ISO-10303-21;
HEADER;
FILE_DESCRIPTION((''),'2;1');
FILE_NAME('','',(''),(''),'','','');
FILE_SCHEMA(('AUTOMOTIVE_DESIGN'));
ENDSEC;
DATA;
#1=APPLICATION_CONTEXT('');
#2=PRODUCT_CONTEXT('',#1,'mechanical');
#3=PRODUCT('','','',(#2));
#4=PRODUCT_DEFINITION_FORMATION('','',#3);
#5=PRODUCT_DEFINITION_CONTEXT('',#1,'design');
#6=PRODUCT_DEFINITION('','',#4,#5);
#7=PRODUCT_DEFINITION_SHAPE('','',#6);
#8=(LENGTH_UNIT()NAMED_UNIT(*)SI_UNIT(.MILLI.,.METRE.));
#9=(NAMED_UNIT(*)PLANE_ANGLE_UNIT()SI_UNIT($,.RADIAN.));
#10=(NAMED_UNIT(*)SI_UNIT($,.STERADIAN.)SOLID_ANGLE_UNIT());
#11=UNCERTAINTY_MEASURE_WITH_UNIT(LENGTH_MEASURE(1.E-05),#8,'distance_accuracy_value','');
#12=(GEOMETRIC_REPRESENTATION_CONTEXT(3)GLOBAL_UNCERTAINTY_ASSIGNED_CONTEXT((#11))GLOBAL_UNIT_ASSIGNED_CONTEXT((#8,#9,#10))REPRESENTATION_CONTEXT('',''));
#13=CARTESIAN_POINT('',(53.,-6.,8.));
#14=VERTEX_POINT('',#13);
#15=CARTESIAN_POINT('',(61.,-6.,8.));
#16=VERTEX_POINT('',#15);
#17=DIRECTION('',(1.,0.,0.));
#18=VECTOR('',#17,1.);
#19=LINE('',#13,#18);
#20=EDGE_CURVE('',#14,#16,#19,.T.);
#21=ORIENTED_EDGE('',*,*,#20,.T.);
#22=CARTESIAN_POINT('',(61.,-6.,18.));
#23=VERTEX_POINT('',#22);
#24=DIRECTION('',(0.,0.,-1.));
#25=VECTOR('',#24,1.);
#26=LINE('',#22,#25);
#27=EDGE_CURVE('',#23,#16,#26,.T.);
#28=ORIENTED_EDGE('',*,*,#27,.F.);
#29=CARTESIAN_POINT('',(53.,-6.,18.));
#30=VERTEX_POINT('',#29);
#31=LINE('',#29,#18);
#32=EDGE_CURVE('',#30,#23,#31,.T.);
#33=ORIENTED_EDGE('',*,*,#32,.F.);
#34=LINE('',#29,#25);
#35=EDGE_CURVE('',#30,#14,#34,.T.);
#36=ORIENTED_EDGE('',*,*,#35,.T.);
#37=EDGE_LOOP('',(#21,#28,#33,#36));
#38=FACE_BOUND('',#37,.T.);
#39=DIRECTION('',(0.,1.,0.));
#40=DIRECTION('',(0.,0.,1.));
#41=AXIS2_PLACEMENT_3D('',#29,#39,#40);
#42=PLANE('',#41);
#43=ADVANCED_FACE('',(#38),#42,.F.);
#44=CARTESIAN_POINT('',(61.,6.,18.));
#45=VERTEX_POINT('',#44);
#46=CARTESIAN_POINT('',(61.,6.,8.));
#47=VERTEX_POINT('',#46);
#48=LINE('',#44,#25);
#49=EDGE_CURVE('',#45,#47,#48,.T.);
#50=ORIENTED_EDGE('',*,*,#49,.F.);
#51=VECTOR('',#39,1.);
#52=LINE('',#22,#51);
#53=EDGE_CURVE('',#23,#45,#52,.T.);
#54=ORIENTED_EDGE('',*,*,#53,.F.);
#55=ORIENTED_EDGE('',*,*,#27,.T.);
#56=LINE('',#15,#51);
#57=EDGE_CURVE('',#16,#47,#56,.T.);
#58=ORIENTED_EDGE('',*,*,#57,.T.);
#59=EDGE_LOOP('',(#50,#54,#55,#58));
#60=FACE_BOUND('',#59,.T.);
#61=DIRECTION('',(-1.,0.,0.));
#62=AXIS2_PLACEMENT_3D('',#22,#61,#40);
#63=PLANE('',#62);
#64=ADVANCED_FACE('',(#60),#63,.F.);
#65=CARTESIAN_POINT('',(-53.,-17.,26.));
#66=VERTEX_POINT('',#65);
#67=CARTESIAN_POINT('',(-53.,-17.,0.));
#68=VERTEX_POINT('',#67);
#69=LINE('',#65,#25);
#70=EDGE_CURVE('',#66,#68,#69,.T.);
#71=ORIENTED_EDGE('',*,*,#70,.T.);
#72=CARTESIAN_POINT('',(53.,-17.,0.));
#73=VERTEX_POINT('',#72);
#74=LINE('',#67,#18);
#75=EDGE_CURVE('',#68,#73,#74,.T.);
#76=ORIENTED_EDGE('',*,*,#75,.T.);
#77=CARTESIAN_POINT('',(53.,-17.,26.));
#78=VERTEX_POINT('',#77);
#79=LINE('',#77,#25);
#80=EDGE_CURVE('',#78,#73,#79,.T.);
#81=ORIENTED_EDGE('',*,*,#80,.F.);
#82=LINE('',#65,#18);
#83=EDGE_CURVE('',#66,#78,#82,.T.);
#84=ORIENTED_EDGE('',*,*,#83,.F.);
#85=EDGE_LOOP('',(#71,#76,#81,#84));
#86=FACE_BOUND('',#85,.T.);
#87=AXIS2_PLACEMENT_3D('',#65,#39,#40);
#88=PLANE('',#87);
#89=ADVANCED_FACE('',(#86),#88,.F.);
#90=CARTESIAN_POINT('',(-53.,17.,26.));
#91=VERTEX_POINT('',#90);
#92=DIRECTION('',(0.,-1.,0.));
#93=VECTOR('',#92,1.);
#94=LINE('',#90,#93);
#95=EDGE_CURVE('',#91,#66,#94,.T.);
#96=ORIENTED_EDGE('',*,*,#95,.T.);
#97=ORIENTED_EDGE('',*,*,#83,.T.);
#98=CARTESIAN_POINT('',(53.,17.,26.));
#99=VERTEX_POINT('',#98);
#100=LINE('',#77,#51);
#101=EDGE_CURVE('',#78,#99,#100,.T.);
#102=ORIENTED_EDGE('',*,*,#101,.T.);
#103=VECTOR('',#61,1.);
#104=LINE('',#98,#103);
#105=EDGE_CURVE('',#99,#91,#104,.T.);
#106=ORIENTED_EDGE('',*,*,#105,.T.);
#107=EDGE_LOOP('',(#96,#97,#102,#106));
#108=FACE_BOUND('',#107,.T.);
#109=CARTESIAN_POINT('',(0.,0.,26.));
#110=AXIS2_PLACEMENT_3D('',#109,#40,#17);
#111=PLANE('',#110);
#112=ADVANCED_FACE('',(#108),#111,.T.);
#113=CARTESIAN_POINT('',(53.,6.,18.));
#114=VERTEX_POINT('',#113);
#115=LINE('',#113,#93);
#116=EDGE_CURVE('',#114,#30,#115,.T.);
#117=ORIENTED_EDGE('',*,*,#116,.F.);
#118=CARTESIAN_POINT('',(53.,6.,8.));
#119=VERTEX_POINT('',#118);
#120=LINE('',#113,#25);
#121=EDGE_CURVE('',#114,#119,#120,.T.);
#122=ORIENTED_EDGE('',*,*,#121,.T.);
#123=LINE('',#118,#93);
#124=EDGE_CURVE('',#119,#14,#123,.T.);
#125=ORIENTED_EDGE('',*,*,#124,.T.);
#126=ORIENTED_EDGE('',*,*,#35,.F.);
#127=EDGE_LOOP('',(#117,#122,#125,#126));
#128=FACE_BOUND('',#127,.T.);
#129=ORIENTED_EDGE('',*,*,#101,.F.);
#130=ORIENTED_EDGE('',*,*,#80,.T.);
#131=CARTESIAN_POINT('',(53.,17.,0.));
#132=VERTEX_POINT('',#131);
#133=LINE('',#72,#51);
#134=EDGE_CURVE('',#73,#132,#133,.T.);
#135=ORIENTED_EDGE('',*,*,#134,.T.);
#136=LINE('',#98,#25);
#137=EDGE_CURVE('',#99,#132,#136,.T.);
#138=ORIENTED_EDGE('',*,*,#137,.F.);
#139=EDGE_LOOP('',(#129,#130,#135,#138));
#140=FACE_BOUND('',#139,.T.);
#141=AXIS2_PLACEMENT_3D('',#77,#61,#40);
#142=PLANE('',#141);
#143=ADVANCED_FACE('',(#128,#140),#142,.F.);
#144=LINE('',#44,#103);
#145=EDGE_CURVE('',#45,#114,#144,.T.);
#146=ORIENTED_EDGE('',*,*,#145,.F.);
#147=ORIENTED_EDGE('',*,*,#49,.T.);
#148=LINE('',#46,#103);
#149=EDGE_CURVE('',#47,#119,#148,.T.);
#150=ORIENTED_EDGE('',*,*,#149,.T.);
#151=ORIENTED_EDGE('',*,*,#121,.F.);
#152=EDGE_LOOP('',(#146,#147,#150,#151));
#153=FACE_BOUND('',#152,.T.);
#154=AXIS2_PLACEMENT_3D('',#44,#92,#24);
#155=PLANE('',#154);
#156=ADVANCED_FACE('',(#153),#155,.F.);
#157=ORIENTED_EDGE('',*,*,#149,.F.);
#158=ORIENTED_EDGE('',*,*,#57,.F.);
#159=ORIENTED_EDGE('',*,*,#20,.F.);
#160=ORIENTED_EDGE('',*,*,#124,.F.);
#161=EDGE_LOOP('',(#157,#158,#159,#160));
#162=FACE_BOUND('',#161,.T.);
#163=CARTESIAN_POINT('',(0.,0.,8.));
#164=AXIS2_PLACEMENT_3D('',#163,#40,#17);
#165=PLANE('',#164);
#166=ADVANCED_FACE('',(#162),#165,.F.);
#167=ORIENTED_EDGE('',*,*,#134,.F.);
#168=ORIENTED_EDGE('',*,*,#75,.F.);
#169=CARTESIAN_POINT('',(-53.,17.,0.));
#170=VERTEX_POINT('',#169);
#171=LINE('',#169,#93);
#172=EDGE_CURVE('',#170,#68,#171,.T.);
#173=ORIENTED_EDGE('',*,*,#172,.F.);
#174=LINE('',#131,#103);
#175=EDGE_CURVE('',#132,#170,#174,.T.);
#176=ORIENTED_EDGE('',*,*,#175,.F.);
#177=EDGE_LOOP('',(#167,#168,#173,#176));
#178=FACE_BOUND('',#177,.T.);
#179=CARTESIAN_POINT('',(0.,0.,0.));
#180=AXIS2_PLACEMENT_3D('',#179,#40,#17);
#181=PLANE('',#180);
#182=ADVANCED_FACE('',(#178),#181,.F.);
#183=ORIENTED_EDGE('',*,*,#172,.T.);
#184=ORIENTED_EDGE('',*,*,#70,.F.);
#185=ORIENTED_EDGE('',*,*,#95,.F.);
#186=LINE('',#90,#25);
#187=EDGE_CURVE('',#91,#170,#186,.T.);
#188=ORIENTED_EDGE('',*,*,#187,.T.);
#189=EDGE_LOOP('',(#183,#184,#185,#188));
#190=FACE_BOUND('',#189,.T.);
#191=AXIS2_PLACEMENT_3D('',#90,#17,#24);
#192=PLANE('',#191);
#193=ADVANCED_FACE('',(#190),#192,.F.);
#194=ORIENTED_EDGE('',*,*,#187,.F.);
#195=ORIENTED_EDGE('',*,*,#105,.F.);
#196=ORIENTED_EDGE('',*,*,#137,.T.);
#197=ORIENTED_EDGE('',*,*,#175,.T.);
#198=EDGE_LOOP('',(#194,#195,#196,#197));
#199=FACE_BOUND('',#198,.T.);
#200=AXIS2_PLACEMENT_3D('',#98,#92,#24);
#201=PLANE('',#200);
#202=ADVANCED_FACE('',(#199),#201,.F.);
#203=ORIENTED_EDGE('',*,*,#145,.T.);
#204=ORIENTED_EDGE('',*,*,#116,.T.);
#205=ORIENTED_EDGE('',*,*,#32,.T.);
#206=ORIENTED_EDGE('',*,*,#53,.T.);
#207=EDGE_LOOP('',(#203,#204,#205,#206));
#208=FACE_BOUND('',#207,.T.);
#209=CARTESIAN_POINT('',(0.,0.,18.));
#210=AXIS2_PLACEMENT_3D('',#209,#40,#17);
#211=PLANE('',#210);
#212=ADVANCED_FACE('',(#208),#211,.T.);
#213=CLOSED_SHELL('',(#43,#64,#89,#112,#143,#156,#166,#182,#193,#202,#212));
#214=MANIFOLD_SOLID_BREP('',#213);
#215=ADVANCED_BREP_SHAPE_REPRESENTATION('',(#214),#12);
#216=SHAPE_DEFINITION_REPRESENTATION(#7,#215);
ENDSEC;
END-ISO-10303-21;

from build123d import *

# Parameters (mm, degrees)
SKETCH1_W       = 106
SKETCH1_H       = 34
PACK_2_DEPTH    = 26
SKETCH2_W       = 8
SKETCH2_H       = 12
LEAD_EXIT_DEPTH = 10


with BuildPart() as part:
    # Sketch1 → Pack 2 (new body)
    with BuildSketch(Plane.XY):
        Rectangle(SKETCH1_W, SKETCH1_H)
    extrude(amount=PACK_2_DEPTH)

    # Sketch2 → Lead_exit (add)
    with BuildSketch(Plane.XY.offset(8)):
        with Locations((57, 0)):
            Rectangle(SKETCH2_W, SKETCH2_H)
    extrude(amount=LEAD_EXIT_DEPTH)


solid = part.part
